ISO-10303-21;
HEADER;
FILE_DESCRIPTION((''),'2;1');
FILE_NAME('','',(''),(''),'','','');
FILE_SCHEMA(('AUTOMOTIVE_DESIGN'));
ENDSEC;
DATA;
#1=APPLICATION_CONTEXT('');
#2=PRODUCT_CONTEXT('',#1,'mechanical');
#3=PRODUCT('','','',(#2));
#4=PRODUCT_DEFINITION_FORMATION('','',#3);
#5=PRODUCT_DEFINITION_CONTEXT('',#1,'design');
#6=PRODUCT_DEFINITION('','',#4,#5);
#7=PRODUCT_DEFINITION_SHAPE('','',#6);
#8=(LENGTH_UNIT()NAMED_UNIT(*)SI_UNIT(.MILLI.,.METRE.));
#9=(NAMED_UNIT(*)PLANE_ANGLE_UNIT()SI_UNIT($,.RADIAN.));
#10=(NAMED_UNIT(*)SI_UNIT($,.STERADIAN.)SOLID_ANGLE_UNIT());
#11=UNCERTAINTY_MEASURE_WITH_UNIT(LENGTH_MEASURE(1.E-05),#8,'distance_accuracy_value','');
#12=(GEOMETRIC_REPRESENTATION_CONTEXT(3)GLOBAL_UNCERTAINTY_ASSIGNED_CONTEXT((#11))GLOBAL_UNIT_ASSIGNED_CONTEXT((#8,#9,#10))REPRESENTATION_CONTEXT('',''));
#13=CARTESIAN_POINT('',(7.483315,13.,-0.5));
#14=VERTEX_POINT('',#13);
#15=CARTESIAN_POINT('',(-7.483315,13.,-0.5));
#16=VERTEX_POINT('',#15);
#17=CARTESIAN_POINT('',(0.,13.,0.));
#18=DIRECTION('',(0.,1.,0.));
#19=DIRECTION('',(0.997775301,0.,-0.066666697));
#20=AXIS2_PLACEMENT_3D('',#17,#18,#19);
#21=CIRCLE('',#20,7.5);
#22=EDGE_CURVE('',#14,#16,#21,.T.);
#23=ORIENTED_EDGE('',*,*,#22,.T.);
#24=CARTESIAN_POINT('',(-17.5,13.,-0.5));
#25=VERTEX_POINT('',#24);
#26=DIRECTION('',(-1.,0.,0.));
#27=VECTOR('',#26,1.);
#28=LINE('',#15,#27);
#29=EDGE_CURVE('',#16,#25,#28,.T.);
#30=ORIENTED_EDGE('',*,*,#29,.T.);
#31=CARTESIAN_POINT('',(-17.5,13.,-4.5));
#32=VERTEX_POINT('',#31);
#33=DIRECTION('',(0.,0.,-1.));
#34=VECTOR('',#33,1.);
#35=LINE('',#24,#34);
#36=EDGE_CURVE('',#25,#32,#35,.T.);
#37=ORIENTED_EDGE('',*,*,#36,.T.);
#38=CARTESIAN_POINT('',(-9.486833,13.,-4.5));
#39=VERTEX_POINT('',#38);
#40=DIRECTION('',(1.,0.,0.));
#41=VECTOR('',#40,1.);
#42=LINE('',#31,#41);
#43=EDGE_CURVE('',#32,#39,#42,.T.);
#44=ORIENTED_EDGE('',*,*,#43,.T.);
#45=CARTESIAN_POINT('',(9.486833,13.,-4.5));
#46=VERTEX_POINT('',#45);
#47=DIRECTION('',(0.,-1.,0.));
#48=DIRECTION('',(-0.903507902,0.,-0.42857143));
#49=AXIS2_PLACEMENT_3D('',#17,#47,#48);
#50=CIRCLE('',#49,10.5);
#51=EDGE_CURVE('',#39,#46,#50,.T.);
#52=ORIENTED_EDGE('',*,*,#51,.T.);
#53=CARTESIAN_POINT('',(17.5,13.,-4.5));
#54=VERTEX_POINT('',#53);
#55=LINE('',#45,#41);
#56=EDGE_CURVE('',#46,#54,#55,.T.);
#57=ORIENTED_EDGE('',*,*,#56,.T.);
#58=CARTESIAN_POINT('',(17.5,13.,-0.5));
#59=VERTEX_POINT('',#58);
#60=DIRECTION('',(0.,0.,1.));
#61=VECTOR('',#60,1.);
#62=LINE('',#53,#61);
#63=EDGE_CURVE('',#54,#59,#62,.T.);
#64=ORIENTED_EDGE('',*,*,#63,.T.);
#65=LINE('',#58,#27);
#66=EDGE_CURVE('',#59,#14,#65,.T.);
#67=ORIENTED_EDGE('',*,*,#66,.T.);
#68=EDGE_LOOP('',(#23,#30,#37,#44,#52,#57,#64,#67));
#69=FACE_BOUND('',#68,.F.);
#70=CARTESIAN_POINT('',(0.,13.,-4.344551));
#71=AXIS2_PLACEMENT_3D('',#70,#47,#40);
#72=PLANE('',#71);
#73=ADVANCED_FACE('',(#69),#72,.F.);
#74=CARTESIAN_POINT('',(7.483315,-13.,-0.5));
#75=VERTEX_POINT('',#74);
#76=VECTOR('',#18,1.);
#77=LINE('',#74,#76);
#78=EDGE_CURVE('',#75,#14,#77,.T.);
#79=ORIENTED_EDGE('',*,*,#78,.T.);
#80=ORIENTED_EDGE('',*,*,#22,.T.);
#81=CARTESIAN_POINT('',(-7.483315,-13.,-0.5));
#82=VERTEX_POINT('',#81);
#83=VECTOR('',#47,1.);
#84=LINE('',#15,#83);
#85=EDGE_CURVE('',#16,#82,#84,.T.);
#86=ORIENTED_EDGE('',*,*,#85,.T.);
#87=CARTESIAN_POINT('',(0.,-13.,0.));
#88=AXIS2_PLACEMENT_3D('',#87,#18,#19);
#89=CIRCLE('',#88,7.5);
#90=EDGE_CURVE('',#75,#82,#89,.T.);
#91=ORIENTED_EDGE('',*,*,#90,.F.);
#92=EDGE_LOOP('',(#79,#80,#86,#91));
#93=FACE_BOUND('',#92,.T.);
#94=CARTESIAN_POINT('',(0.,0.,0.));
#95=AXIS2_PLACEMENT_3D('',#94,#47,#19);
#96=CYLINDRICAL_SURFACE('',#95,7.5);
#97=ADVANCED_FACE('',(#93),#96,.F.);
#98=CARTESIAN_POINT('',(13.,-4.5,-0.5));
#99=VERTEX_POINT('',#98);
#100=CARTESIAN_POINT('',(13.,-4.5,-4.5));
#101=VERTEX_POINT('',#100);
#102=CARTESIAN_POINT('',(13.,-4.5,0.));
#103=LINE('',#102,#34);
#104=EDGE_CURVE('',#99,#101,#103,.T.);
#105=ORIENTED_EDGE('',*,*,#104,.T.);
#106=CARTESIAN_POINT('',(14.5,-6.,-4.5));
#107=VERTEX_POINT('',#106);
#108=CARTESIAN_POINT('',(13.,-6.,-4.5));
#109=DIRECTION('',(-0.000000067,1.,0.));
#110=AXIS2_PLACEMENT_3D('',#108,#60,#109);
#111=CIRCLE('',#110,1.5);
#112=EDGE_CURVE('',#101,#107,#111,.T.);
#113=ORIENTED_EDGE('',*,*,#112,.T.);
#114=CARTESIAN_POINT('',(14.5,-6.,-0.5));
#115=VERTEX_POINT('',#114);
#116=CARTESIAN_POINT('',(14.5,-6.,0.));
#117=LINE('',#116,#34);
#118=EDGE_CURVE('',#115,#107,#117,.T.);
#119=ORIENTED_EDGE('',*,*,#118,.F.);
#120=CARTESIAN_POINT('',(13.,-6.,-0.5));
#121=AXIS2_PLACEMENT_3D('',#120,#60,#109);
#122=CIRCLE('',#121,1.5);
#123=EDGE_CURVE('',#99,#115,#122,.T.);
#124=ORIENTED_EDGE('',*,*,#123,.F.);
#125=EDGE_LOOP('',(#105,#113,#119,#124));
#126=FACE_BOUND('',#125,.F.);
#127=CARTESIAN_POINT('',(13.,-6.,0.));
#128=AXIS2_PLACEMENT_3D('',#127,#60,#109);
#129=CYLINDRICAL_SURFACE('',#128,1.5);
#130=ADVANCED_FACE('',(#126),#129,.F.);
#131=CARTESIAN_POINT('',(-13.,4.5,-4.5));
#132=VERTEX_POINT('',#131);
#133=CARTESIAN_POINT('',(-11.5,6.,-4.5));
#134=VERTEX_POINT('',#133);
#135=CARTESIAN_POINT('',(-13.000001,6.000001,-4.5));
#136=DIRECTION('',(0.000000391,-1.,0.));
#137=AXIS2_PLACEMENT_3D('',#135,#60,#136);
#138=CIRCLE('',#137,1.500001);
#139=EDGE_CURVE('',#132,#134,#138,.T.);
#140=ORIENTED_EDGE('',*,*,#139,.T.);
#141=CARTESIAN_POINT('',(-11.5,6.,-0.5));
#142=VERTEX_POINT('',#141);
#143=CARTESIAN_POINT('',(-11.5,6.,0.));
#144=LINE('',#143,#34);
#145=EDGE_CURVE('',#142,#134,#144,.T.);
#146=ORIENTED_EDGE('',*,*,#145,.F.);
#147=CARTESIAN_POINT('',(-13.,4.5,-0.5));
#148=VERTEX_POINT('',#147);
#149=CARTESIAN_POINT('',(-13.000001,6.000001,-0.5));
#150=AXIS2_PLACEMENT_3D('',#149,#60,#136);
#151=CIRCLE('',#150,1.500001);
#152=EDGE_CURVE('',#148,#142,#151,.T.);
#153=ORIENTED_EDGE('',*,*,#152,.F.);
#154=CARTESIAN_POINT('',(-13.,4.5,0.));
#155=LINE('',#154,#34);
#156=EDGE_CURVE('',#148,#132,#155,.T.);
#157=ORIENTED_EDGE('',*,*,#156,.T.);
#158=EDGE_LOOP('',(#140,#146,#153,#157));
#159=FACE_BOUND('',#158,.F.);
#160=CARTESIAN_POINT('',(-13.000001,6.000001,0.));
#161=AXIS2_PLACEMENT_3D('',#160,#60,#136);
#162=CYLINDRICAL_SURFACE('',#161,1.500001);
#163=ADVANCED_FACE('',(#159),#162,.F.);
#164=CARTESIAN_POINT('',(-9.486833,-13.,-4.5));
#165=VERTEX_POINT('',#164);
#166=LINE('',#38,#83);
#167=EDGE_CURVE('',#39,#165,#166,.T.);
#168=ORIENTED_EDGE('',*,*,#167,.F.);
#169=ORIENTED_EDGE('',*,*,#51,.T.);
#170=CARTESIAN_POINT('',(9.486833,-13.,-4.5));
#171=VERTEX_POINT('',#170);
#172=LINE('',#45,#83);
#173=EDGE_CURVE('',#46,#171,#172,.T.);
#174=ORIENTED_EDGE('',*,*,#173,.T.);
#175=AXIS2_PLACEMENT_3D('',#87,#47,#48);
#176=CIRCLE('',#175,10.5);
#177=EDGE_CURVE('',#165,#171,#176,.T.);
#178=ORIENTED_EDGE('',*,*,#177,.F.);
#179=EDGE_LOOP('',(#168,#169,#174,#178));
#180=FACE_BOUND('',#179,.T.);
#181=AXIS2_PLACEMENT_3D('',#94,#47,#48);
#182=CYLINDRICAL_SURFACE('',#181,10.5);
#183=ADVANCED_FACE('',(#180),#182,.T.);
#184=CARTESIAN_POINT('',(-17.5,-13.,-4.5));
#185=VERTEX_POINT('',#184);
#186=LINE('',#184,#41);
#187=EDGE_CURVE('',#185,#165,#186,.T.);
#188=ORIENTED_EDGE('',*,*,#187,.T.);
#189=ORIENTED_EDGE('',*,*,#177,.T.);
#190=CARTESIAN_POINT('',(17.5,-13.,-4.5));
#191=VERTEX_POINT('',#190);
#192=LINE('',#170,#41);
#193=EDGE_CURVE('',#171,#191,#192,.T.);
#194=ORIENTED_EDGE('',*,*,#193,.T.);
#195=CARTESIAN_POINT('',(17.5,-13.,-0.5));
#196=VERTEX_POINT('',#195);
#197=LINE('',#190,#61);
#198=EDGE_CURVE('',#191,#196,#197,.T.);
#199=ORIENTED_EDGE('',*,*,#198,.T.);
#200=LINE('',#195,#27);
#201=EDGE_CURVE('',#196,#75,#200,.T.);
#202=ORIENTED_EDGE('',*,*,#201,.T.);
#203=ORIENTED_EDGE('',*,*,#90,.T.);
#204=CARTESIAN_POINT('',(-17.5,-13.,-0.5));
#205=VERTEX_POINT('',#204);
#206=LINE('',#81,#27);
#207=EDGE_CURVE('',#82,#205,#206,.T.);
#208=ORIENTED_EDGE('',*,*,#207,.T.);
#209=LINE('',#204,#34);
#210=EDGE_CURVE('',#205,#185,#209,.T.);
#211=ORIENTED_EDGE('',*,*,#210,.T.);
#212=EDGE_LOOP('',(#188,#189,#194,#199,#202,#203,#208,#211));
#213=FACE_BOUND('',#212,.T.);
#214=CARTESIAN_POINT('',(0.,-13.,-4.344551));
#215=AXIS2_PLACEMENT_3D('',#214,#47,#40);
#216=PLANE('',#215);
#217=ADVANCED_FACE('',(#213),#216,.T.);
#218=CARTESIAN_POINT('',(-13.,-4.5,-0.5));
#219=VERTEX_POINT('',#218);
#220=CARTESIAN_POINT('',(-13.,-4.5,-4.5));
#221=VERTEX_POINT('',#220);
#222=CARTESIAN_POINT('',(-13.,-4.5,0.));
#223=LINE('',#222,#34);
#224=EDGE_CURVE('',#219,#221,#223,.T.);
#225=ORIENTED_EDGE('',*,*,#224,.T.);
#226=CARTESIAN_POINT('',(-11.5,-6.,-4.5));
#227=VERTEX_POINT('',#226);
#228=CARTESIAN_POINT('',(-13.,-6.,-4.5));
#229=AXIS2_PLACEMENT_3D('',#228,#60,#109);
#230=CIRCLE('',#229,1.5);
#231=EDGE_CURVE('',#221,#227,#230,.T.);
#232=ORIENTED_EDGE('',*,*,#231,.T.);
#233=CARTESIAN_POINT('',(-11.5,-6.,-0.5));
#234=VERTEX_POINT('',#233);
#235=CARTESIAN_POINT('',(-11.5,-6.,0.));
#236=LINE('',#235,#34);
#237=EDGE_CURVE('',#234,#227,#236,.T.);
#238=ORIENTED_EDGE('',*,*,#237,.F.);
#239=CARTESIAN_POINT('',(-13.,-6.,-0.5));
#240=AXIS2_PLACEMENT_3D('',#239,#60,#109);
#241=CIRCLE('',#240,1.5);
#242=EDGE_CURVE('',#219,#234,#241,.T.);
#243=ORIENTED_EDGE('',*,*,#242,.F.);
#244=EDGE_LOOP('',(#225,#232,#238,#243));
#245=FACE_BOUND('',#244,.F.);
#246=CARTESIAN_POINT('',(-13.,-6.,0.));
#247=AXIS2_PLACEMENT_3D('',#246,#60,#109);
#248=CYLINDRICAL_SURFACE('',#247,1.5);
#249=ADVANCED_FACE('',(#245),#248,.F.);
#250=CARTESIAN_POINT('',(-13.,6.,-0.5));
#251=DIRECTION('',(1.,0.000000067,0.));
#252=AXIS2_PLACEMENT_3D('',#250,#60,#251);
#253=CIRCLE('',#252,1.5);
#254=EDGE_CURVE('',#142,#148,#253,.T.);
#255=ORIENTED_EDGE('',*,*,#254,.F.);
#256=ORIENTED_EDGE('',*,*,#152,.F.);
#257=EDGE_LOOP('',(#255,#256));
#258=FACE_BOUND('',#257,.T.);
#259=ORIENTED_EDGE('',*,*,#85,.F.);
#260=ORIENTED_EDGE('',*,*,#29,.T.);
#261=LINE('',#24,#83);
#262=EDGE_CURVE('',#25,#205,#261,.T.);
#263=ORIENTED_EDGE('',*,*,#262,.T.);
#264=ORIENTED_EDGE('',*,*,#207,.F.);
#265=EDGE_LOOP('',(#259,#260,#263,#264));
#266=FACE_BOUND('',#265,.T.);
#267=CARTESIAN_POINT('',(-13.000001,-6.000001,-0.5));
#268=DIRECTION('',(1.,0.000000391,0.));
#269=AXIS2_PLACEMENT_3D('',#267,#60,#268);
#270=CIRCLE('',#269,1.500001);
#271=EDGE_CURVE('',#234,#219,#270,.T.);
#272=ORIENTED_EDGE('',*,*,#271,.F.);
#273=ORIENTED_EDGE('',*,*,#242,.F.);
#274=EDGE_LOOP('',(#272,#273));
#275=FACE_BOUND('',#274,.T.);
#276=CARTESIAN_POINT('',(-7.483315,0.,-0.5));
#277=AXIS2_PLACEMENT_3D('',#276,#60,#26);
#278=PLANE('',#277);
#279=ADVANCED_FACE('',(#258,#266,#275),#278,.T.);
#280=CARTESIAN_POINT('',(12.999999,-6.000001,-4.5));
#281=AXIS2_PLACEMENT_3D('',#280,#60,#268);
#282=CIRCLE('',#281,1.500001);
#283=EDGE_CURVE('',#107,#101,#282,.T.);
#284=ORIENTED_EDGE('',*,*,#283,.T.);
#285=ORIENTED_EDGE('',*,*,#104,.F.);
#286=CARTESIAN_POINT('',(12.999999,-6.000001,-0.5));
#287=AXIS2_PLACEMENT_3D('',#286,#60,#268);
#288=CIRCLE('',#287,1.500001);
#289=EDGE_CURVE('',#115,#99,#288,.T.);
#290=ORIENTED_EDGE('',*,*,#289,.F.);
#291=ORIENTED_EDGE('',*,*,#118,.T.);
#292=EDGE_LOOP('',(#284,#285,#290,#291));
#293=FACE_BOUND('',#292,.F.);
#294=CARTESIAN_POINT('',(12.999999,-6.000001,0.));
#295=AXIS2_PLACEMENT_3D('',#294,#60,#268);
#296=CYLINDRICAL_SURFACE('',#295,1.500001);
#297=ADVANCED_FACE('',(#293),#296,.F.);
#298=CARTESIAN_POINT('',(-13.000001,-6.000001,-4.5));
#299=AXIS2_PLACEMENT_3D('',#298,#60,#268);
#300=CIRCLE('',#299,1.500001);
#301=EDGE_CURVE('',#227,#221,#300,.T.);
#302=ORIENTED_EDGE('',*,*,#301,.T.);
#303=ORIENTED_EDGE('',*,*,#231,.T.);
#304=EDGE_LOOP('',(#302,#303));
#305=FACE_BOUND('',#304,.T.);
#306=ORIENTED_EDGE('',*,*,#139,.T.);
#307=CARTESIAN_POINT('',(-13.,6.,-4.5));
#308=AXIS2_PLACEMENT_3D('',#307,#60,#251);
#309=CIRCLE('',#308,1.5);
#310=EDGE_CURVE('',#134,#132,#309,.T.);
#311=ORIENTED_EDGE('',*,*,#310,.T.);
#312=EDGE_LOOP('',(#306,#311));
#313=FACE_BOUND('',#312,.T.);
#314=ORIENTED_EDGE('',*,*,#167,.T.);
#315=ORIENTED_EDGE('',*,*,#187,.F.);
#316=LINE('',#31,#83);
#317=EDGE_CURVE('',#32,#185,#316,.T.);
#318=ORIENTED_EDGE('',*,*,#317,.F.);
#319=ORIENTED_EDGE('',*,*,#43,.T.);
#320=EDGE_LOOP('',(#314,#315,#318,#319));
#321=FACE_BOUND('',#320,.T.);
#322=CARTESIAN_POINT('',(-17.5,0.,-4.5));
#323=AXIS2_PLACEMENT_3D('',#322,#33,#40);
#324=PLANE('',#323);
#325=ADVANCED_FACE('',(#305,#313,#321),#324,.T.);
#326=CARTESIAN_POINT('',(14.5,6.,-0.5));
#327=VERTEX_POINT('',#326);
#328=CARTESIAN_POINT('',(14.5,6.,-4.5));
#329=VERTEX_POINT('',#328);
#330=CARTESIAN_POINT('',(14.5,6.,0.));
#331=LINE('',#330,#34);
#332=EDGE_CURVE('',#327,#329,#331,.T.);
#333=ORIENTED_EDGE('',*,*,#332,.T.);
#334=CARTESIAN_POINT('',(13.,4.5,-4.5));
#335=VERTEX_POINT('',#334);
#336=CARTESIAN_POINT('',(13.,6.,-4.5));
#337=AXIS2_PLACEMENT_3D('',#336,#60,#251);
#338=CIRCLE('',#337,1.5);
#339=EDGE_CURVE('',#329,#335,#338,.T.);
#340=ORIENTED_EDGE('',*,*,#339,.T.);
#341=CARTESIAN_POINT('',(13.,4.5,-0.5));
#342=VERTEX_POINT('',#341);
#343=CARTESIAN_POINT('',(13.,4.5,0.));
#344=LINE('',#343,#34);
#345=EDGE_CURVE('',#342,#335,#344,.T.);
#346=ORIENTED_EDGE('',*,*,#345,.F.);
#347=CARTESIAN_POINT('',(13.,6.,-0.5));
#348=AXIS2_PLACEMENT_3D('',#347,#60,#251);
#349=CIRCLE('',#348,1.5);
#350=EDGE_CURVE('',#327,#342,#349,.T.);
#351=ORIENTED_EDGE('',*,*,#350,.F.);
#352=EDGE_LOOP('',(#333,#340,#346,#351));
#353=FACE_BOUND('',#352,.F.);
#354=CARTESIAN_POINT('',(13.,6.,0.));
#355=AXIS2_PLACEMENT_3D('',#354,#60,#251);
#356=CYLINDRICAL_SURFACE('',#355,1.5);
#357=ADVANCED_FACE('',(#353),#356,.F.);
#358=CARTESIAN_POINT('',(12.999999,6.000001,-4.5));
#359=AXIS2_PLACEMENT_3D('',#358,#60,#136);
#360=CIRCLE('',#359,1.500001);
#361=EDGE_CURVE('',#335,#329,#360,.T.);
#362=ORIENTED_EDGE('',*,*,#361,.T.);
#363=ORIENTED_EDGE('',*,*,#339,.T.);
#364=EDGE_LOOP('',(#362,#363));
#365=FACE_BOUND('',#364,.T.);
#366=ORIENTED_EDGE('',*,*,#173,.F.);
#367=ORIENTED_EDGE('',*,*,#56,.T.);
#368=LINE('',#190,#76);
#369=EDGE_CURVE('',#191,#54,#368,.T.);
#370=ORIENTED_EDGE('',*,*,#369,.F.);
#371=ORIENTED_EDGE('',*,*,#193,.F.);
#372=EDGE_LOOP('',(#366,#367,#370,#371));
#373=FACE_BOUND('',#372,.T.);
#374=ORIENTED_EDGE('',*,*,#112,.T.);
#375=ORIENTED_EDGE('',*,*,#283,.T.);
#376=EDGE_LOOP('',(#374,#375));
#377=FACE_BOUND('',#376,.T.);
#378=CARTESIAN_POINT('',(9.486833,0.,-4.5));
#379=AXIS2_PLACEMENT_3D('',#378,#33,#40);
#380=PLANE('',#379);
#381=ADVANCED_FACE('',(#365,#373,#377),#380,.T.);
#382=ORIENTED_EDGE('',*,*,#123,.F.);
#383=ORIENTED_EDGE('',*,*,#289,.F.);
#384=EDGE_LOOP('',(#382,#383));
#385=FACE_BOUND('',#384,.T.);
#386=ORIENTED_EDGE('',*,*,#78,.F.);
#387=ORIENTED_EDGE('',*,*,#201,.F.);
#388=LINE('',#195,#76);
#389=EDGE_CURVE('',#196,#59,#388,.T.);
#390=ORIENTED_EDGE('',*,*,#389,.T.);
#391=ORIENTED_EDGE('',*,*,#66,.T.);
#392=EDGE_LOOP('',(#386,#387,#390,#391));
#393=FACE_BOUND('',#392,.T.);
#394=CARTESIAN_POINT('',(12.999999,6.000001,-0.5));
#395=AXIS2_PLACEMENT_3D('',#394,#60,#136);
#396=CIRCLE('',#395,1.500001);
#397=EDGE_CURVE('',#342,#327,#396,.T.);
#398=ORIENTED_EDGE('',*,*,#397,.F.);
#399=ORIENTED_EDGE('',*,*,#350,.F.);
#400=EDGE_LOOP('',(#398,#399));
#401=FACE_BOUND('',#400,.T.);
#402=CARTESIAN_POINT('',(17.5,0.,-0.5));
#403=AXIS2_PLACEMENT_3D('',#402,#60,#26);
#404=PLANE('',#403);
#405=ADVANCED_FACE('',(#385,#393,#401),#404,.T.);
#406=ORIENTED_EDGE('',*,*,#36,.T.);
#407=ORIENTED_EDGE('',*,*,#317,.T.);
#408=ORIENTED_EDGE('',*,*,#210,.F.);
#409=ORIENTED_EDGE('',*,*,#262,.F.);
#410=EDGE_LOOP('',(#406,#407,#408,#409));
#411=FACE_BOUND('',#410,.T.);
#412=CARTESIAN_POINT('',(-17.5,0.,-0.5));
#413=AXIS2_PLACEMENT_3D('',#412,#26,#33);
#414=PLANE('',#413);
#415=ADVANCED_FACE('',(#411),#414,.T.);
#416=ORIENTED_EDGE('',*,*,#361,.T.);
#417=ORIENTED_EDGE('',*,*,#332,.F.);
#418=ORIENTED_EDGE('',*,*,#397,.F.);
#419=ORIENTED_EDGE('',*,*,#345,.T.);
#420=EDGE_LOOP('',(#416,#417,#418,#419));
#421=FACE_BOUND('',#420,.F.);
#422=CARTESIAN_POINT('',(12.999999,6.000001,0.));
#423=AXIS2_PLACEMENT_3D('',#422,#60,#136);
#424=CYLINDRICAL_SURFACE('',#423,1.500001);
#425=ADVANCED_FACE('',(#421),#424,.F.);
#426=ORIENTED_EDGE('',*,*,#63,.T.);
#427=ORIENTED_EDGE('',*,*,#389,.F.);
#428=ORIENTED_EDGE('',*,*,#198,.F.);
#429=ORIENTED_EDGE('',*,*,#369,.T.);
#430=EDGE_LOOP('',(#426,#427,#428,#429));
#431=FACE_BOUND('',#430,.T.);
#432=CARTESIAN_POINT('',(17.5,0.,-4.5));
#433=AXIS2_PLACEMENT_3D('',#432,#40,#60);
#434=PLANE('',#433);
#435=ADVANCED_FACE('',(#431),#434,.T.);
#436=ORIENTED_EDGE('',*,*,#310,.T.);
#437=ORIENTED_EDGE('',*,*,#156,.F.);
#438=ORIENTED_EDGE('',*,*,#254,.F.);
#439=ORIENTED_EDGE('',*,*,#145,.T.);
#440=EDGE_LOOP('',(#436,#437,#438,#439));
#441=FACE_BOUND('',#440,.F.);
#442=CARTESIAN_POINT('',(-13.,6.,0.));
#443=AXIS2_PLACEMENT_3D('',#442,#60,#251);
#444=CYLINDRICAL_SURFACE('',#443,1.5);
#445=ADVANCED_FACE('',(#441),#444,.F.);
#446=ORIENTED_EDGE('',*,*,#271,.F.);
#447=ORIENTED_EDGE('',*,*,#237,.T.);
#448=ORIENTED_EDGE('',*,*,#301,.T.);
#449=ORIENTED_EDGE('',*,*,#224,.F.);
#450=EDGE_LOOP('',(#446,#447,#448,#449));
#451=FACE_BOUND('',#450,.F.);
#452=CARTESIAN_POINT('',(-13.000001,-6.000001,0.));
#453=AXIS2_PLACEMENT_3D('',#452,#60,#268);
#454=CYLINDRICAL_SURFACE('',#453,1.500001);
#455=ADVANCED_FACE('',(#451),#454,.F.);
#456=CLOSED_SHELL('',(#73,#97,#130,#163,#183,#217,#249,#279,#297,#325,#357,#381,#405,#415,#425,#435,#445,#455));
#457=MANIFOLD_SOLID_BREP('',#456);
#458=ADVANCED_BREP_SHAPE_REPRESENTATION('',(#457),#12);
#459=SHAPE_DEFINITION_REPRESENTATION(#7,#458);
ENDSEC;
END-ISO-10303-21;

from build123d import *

# Parameters (mm, degrees)
F1_DEPTH = 13
F3_DEPTH = 10.501


with BuildPart() as f1:
    # F0 (on Front) → F1 (new body, symmetric)
    with BuildSketch(Plane.XZ):
        with BuildLine():
            ThreePointArc((7.483315, -0.5), (0, -7.5), (-7.483315, -0.5))
            Line((-7.483315, -0.5), (-10.488088, -0.5))
            Line((-10.488088, -0.5), (-17.5, -0.5))
            Line((-17.5, -0.5), (-17.5, -4.5))
            Line((-17.5, -4.5), (-9.486833, -4.5))
            ThreePointArc((-9.486833, -4.5), (0, -10.5), (9.486833, -4.5))
            Line((9.486833, -4.5), (17.5, -4.5))
            Line((17.5, -4.5), (17.5, -0.5))
            Line((17.5, -0.5), (10.488088, -0.5))
            Line((10.488088, -0.5), (7.483315, -0.5))
        make_face()
    extrude(amount=F1_DEPTH, both=True)

    # F2 (on Top) → F3 (cut, through all)
    with BuildSketch(Plane.XY):
        with BuildLine():
            ThreePointArc((14.5, 6), (11.93934, 7.06066), (13, 4.5))
            ThreePointArc((13, 4.5), (14.06066, 4.93934), (14.5, 6))
        make_face()
        with BuildLine():
            ThreePointArc((14.5, -6), (14.06066, -4.93934), (13, -4.5))
            ThreePointArc((13, -4.5), (11.93934, -7.06066), (14.5, -6))
        make_face()
        with BuildLine():
            ThreePointArc((-11.5, 6), (-14.06066, 7.06066), (-13, 4.5))
            ThreePointArc((-13, 4.5), (-11.93934, 4.93934), (-11.5, 6))
        make_face()
        with BuildLine():
            ThreePointArc((-11.5, -6), (-11.93934, -4.93934), (-13, -4.5))
            ThreePointArc((-13, -4.5), (-14.06066, -7.06066), (-11.5, -6))
        make_face()
    extrude(amount=-F3_DEPTH, mode=Mode.SUBTRACT)


solid = f1.part
